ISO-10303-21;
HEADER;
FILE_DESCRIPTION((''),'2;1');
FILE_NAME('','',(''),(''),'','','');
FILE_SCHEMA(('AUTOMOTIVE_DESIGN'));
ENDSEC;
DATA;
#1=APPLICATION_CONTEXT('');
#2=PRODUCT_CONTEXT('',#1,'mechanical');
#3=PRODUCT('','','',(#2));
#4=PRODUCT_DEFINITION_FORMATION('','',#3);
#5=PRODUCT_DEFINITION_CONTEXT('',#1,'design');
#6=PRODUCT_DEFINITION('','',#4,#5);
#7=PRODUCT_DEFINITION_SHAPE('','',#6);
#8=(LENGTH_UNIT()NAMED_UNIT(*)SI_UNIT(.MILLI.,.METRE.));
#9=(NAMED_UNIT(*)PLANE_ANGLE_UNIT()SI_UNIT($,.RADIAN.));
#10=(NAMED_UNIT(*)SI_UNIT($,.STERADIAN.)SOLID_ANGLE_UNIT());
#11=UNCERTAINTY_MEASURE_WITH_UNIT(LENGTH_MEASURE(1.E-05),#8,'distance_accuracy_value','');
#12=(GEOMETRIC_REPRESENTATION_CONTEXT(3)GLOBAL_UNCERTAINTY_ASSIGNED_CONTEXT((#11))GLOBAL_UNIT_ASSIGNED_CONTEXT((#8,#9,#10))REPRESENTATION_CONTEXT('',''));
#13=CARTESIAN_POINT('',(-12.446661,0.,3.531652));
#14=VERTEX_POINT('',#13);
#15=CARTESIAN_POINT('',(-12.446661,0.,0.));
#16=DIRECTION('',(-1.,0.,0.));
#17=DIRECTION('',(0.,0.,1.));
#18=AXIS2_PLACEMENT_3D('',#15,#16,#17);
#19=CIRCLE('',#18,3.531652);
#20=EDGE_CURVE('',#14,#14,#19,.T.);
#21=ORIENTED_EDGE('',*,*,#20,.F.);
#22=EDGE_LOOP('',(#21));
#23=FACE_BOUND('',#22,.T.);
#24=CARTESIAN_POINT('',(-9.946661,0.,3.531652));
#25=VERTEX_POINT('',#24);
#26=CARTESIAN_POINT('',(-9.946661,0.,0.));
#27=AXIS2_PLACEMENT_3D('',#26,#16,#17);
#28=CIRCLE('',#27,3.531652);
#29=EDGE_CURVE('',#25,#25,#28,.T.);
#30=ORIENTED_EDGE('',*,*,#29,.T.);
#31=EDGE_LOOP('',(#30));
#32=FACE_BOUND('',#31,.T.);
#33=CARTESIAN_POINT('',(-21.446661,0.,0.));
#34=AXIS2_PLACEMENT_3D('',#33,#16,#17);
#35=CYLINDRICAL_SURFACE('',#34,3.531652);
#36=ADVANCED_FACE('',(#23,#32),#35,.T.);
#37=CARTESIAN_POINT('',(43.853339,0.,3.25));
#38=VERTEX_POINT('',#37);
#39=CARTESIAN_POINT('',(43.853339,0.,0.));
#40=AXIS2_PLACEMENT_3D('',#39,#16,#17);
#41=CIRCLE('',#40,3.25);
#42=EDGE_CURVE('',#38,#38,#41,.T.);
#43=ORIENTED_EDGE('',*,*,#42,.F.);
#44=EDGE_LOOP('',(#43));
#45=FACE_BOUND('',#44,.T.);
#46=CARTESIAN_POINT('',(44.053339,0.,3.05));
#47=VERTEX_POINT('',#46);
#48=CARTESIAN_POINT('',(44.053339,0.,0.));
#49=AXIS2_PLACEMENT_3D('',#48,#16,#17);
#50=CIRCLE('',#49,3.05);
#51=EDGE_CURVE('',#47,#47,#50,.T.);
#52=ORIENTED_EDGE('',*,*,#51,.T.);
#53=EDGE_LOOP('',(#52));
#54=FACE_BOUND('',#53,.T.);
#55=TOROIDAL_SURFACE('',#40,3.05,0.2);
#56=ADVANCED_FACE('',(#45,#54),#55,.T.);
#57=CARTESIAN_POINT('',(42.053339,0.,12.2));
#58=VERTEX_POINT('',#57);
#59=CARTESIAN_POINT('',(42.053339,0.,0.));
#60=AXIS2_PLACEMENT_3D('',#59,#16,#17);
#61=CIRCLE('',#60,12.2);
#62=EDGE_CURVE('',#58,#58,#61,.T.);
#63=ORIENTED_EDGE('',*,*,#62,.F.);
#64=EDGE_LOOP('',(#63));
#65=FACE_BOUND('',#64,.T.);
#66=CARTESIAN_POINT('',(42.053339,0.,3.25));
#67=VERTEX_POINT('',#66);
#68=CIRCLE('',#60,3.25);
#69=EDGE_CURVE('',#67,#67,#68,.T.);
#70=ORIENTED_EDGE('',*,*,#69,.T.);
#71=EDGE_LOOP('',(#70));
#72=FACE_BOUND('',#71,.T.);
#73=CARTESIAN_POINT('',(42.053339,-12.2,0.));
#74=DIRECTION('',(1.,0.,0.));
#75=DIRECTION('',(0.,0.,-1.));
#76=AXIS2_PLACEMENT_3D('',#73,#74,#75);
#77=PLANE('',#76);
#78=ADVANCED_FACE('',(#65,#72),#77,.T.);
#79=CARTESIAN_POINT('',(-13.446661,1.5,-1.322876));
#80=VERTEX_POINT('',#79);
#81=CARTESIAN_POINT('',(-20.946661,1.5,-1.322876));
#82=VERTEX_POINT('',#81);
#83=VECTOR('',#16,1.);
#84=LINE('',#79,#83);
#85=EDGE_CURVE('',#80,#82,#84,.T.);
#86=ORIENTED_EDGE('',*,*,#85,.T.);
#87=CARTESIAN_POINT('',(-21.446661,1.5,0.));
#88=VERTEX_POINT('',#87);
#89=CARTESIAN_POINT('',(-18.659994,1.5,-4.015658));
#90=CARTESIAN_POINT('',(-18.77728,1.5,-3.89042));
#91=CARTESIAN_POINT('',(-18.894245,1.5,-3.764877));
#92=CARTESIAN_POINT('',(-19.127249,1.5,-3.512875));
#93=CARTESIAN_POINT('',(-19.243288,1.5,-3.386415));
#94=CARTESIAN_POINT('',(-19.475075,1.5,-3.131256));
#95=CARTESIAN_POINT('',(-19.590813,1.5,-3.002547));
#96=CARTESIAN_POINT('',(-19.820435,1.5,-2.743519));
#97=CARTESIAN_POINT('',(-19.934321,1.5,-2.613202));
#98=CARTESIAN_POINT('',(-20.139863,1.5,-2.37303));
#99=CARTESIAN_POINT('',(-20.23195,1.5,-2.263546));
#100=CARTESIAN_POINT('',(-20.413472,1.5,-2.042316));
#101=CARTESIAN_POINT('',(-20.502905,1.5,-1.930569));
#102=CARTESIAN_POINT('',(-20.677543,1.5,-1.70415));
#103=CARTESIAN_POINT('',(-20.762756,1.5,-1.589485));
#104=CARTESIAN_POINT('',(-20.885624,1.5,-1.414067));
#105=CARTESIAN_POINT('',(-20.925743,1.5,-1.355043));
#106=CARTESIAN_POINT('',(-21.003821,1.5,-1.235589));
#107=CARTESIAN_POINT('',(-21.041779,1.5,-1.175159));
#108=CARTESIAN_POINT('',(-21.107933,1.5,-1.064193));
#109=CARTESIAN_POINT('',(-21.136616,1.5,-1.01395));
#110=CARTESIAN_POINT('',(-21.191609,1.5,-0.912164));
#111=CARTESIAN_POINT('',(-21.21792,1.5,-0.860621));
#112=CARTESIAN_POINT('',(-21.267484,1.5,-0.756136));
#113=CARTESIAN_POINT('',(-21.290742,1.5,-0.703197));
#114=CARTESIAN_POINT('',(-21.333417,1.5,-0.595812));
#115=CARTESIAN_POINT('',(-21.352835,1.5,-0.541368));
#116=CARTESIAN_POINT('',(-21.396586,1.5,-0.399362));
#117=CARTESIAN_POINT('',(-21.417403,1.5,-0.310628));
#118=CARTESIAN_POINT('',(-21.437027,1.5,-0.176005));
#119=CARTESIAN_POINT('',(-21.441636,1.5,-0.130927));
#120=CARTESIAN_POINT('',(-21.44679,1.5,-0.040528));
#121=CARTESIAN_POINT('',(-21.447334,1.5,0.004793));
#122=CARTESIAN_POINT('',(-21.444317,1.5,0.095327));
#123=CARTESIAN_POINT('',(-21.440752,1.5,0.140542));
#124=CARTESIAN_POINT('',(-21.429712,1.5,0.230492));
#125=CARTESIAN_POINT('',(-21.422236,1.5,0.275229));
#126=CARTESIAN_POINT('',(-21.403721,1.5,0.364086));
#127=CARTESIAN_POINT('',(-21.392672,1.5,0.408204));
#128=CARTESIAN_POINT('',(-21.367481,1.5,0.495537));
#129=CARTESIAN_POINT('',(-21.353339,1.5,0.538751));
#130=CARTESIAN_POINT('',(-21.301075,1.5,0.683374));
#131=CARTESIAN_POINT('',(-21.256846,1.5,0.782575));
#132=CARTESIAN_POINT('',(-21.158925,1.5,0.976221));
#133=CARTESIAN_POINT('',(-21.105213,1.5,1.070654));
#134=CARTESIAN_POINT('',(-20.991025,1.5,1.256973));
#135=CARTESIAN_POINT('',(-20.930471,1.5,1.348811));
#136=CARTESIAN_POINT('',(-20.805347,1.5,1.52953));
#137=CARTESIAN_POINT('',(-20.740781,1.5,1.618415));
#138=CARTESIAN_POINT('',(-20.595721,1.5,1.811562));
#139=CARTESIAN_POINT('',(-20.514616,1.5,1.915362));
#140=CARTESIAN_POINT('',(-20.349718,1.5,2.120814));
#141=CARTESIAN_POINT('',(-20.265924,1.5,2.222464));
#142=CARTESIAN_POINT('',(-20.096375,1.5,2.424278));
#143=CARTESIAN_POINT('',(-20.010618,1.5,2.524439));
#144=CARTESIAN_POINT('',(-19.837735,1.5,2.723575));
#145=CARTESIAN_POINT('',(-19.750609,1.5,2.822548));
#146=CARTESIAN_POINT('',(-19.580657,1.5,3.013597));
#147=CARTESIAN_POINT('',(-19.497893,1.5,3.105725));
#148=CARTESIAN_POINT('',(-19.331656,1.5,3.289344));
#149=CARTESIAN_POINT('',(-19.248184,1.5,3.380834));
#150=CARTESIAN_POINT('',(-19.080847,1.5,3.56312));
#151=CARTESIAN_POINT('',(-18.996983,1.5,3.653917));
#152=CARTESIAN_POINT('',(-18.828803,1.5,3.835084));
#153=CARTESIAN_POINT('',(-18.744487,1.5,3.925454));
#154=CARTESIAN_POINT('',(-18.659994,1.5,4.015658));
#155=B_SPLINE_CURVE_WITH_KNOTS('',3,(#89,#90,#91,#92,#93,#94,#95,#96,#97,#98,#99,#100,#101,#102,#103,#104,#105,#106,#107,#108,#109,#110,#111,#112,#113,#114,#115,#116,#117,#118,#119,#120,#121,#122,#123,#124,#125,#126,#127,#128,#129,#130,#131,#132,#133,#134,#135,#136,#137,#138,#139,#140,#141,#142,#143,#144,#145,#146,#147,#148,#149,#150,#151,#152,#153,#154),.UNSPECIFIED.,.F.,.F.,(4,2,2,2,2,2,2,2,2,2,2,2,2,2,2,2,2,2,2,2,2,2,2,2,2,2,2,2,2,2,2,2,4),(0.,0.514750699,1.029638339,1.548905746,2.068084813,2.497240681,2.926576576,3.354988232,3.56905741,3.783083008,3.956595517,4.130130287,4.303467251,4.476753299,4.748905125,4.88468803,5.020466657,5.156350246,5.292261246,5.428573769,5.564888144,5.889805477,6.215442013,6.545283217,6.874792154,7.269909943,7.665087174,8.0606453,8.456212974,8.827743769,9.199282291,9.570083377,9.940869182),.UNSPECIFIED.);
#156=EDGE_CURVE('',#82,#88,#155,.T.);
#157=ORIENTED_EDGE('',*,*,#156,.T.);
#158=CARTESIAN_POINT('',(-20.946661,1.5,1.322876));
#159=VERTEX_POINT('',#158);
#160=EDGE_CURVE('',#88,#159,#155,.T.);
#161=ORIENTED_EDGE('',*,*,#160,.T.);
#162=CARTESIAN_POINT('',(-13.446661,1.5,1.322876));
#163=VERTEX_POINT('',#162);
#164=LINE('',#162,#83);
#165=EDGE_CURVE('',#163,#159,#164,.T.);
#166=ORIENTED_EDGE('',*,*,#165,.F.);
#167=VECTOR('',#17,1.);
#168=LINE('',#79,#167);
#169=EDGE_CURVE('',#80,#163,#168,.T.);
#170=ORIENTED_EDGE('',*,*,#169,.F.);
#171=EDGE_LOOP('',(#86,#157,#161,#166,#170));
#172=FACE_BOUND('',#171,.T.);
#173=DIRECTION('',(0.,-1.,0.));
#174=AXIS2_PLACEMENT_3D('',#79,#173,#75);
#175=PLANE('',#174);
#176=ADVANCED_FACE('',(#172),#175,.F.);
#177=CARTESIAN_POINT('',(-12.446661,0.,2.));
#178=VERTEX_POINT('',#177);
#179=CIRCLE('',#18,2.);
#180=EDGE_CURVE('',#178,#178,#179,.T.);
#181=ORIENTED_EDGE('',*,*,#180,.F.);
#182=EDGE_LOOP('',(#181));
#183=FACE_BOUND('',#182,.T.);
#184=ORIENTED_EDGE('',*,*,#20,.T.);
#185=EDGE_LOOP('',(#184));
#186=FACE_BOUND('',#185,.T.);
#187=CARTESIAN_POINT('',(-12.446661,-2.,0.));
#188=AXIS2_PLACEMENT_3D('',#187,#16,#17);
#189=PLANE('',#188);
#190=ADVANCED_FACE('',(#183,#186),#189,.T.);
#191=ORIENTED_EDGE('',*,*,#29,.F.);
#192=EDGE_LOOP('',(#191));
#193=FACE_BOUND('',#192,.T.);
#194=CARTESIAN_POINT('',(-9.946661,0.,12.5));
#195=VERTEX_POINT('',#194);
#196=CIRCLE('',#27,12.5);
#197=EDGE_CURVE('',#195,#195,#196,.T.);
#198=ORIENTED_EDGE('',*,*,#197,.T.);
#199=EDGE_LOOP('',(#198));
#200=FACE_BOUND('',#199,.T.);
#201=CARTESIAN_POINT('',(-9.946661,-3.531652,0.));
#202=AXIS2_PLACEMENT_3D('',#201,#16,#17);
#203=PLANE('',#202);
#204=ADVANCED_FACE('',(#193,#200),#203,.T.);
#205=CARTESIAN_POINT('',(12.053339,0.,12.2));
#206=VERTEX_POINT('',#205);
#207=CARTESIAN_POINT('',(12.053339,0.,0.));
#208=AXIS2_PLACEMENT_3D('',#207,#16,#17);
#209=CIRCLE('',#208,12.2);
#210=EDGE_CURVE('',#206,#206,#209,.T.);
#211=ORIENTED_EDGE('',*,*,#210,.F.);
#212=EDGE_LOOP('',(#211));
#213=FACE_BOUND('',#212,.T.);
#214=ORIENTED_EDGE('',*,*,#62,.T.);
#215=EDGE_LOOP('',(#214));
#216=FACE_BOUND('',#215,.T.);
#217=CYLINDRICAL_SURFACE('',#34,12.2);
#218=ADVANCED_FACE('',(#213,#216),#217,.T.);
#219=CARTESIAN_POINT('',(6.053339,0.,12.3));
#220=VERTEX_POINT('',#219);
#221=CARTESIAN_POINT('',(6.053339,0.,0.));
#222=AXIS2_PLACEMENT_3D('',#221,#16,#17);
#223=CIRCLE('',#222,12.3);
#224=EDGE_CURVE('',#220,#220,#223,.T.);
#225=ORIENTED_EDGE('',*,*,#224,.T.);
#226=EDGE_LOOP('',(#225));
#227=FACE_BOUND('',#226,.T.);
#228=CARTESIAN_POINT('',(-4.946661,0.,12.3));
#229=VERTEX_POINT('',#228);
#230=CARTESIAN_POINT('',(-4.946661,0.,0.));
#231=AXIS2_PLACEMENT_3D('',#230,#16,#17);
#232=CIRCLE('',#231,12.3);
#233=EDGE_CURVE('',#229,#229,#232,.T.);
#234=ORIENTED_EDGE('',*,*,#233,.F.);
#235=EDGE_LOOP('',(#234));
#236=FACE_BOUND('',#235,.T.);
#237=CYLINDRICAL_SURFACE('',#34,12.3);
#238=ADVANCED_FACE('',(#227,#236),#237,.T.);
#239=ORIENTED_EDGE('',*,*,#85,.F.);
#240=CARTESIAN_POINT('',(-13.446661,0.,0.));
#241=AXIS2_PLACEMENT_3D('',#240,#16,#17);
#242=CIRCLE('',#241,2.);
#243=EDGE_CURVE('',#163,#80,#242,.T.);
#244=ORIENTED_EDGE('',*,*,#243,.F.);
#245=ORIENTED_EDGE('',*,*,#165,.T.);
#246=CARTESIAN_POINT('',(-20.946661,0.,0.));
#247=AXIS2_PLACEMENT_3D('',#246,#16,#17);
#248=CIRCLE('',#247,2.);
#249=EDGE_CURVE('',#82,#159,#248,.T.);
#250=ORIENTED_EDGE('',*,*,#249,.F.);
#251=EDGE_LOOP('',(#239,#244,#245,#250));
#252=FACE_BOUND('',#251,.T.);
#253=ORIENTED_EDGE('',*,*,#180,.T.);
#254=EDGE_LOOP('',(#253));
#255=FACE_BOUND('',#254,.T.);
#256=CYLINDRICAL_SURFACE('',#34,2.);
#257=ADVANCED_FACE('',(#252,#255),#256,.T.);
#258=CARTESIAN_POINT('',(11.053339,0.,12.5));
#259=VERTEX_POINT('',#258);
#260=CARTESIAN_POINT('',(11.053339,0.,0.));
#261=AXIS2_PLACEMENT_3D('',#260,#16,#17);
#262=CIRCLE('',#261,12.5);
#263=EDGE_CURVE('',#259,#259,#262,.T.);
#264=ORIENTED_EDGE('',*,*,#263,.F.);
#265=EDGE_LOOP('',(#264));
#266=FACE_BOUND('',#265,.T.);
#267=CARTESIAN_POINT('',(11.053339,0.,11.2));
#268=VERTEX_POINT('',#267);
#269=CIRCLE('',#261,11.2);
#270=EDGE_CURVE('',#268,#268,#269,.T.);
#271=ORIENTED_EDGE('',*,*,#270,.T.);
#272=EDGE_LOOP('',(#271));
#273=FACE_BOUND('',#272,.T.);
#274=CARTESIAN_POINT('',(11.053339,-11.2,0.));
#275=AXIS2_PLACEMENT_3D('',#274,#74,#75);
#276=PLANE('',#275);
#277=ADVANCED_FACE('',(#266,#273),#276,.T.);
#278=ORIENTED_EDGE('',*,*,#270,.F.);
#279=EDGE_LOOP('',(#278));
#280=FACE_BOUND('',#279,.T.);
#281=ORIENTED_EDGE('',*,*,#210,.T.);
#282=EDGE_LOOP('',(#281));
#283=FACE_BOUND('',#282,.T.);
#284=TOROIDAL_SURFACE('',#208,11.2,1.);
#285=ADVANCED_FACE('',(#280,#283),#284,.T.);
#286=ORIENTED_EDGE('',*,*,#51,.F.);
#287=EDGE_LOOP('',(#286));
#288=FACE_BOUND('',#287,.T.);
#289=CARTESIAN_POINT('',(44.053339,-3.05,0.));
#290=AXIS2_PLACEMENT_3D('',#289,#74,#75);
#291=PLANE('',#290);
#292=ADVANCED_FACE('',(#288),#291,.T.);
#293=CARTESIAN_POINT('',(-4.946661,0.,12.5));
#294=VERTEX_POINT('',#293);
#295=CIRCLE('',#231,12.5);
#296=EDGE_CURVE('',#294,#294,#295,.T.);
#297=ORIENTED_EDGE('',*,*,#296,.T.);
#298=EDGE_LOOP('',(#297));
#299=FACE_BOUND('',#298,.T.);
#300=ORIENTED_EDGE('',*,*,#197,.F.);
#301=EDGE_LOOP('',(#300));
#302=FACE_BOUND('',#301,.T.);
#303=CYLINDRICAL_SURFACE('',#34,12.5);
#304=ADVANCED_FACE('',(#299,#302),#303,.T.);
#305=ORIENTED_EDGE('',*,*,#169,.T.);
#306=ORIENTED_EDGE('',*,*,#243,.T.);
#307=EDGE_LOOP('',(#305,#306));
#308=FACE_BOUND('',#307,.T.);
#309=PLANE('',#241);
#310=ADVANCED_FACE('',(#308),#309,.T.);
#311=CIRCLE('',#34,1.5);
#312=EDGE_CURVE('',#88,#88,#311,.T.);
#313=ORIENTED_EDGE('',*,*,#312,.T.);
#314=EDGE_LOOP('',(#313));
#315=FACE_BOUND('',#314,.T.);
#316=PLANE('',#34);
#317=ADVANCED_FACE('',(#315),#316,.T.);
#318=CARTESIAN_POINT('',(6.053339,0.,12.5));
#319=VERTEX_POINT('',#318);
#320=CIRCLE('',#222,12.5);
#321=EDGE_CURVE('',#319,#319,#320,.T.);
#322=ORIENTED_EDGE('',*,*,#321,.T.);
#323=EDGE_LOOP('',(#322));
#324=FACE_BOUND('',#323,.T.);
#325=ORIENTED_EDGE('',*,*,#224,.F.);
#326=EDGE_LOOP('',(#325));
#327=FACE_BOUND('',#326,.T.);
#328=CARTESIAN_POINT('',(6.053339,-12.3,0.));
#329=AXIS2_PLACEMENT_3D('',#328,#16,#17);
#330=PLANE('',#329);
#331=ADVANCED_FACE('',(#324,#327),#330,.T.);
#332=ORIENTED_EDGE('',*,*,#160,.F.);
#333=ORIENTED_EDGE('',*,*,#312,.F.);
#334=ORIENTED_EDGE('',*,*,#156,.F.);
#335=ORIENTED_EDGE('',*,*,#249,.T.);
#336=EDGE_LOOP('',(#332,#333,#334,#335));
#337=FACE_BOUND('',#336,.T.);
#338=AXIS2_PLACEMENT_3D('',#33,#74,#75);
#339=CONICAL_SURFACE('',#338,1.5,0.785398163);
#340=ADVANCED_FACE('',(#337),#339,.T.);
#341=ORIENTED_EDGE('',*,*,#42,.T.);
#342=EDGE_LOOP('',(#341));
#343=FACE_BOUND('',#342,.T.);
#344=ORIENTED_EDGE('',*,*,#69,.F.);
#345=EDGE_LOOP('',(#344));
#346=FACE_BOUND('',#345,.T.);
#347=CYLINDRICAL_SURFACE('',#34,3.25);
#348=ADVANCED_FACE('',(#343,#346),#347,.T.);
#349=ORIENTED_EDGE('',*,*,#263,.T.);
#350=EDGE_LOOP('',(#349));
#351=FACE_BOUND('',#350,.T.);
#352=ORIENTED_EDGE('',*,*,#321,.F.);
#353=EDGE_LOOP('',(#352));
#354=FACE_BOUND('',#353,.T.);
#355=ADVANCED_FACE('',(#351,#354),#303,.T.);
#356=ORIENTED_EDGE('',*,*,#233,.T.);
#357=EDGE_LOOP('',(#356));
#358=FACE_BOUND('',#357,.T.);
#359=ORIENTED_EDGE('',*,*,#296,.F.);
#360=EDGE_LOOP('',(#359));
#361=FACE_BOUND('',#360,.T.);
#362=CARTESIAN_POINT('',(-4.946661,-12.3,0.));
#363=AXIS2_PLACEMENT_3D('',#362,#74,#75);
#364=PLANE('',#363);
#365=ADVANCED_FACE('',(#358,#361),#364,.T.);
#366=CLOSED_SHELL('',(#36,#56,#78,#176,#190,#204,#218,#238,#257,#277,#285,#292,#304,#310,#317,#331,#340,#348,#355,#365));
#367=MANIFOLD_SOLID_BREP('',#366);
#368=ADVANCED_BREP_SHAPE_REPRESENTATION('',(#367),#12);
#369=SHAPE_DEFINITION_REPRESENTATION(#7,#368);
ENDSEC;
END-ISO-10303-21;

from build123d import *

# Parameters (mm, degrees)
CUT_EXTRUDE1_DEPTH = 8


with BuildPart() as part:
    # Sketch1 → Revolve1 (revolve)
    with BuildSketch(Plane.XY):
        with BuildLine():
            Line((-9.946660926, -3.531651516), (-9.946660926, -12.5))
            Line((-9.946660926, -12.5), (-4.946660926, -12.5))
            Line((-4.946660926, -12.5), (-4.946660926, -12.3))
            Line((-4.946660926, -12.3), (6.053339074, -12.3))
            Line((6.053339074, -12.3), (6.053339074, -12.5))
            Line((6.053339074, -12.5), (11.053339074, -12.5))
            Line((11.053339074, -12.5), (11.053339074, -11.2))
            ThreePointArc((11.053339074, -11.2), (11.346232293, -11.907106781), (12.053339074, -12.2))
            Line((12.053339074, -12.2), (42.053339074, -12.2))
            Line((42.053339074, -12.2), (42.053339074, -3.25))
            Line((42.053339074, -3.25), (43.853339074, -3.25))
            ThreePointArc((43.853339074, -3.25), (43.99476043, -3.191421356), (44.053339074, -3.05))
            Line((44.053339074, -3.05), (44.053339074, 0))
            Line((44.053339074, 0), (-21.446660926, 0))
            Line((-21.446660926, 0), (-21.446660926, -1.5))
            Line((-21.446660926, -1.5), (-20.946660926, -2))
            Line((-20.946660926, -2), (-12.446660926, -2))
            Line((-12.446660926, -2), (-12.446660926, -3.531651516))
            Line((-12.446660926, -3.531651516), (-9.946660926, -3.531651516))
        make_face()
    revolve(axis=Axis((-21.446660926, 0, 0), (1, 0, 0)))

    # Sketch2 → Cut-Extrude1 (cut)
    with BuildSketch(Plane.ZY.offset(21.446660926)):
        with BuildLine():
            Line((-1.322875656, 1.5), (1.322875656, 1.5))
            ThreePointArc((1.322875656, 1.5), (0, 2), (-1.322875656, 1.5))
        make_face()
    extrude(amount=-CUT_EXTRUDE1_DEPTH, mode=Mode.SUBTRACT)


solid = part.part
